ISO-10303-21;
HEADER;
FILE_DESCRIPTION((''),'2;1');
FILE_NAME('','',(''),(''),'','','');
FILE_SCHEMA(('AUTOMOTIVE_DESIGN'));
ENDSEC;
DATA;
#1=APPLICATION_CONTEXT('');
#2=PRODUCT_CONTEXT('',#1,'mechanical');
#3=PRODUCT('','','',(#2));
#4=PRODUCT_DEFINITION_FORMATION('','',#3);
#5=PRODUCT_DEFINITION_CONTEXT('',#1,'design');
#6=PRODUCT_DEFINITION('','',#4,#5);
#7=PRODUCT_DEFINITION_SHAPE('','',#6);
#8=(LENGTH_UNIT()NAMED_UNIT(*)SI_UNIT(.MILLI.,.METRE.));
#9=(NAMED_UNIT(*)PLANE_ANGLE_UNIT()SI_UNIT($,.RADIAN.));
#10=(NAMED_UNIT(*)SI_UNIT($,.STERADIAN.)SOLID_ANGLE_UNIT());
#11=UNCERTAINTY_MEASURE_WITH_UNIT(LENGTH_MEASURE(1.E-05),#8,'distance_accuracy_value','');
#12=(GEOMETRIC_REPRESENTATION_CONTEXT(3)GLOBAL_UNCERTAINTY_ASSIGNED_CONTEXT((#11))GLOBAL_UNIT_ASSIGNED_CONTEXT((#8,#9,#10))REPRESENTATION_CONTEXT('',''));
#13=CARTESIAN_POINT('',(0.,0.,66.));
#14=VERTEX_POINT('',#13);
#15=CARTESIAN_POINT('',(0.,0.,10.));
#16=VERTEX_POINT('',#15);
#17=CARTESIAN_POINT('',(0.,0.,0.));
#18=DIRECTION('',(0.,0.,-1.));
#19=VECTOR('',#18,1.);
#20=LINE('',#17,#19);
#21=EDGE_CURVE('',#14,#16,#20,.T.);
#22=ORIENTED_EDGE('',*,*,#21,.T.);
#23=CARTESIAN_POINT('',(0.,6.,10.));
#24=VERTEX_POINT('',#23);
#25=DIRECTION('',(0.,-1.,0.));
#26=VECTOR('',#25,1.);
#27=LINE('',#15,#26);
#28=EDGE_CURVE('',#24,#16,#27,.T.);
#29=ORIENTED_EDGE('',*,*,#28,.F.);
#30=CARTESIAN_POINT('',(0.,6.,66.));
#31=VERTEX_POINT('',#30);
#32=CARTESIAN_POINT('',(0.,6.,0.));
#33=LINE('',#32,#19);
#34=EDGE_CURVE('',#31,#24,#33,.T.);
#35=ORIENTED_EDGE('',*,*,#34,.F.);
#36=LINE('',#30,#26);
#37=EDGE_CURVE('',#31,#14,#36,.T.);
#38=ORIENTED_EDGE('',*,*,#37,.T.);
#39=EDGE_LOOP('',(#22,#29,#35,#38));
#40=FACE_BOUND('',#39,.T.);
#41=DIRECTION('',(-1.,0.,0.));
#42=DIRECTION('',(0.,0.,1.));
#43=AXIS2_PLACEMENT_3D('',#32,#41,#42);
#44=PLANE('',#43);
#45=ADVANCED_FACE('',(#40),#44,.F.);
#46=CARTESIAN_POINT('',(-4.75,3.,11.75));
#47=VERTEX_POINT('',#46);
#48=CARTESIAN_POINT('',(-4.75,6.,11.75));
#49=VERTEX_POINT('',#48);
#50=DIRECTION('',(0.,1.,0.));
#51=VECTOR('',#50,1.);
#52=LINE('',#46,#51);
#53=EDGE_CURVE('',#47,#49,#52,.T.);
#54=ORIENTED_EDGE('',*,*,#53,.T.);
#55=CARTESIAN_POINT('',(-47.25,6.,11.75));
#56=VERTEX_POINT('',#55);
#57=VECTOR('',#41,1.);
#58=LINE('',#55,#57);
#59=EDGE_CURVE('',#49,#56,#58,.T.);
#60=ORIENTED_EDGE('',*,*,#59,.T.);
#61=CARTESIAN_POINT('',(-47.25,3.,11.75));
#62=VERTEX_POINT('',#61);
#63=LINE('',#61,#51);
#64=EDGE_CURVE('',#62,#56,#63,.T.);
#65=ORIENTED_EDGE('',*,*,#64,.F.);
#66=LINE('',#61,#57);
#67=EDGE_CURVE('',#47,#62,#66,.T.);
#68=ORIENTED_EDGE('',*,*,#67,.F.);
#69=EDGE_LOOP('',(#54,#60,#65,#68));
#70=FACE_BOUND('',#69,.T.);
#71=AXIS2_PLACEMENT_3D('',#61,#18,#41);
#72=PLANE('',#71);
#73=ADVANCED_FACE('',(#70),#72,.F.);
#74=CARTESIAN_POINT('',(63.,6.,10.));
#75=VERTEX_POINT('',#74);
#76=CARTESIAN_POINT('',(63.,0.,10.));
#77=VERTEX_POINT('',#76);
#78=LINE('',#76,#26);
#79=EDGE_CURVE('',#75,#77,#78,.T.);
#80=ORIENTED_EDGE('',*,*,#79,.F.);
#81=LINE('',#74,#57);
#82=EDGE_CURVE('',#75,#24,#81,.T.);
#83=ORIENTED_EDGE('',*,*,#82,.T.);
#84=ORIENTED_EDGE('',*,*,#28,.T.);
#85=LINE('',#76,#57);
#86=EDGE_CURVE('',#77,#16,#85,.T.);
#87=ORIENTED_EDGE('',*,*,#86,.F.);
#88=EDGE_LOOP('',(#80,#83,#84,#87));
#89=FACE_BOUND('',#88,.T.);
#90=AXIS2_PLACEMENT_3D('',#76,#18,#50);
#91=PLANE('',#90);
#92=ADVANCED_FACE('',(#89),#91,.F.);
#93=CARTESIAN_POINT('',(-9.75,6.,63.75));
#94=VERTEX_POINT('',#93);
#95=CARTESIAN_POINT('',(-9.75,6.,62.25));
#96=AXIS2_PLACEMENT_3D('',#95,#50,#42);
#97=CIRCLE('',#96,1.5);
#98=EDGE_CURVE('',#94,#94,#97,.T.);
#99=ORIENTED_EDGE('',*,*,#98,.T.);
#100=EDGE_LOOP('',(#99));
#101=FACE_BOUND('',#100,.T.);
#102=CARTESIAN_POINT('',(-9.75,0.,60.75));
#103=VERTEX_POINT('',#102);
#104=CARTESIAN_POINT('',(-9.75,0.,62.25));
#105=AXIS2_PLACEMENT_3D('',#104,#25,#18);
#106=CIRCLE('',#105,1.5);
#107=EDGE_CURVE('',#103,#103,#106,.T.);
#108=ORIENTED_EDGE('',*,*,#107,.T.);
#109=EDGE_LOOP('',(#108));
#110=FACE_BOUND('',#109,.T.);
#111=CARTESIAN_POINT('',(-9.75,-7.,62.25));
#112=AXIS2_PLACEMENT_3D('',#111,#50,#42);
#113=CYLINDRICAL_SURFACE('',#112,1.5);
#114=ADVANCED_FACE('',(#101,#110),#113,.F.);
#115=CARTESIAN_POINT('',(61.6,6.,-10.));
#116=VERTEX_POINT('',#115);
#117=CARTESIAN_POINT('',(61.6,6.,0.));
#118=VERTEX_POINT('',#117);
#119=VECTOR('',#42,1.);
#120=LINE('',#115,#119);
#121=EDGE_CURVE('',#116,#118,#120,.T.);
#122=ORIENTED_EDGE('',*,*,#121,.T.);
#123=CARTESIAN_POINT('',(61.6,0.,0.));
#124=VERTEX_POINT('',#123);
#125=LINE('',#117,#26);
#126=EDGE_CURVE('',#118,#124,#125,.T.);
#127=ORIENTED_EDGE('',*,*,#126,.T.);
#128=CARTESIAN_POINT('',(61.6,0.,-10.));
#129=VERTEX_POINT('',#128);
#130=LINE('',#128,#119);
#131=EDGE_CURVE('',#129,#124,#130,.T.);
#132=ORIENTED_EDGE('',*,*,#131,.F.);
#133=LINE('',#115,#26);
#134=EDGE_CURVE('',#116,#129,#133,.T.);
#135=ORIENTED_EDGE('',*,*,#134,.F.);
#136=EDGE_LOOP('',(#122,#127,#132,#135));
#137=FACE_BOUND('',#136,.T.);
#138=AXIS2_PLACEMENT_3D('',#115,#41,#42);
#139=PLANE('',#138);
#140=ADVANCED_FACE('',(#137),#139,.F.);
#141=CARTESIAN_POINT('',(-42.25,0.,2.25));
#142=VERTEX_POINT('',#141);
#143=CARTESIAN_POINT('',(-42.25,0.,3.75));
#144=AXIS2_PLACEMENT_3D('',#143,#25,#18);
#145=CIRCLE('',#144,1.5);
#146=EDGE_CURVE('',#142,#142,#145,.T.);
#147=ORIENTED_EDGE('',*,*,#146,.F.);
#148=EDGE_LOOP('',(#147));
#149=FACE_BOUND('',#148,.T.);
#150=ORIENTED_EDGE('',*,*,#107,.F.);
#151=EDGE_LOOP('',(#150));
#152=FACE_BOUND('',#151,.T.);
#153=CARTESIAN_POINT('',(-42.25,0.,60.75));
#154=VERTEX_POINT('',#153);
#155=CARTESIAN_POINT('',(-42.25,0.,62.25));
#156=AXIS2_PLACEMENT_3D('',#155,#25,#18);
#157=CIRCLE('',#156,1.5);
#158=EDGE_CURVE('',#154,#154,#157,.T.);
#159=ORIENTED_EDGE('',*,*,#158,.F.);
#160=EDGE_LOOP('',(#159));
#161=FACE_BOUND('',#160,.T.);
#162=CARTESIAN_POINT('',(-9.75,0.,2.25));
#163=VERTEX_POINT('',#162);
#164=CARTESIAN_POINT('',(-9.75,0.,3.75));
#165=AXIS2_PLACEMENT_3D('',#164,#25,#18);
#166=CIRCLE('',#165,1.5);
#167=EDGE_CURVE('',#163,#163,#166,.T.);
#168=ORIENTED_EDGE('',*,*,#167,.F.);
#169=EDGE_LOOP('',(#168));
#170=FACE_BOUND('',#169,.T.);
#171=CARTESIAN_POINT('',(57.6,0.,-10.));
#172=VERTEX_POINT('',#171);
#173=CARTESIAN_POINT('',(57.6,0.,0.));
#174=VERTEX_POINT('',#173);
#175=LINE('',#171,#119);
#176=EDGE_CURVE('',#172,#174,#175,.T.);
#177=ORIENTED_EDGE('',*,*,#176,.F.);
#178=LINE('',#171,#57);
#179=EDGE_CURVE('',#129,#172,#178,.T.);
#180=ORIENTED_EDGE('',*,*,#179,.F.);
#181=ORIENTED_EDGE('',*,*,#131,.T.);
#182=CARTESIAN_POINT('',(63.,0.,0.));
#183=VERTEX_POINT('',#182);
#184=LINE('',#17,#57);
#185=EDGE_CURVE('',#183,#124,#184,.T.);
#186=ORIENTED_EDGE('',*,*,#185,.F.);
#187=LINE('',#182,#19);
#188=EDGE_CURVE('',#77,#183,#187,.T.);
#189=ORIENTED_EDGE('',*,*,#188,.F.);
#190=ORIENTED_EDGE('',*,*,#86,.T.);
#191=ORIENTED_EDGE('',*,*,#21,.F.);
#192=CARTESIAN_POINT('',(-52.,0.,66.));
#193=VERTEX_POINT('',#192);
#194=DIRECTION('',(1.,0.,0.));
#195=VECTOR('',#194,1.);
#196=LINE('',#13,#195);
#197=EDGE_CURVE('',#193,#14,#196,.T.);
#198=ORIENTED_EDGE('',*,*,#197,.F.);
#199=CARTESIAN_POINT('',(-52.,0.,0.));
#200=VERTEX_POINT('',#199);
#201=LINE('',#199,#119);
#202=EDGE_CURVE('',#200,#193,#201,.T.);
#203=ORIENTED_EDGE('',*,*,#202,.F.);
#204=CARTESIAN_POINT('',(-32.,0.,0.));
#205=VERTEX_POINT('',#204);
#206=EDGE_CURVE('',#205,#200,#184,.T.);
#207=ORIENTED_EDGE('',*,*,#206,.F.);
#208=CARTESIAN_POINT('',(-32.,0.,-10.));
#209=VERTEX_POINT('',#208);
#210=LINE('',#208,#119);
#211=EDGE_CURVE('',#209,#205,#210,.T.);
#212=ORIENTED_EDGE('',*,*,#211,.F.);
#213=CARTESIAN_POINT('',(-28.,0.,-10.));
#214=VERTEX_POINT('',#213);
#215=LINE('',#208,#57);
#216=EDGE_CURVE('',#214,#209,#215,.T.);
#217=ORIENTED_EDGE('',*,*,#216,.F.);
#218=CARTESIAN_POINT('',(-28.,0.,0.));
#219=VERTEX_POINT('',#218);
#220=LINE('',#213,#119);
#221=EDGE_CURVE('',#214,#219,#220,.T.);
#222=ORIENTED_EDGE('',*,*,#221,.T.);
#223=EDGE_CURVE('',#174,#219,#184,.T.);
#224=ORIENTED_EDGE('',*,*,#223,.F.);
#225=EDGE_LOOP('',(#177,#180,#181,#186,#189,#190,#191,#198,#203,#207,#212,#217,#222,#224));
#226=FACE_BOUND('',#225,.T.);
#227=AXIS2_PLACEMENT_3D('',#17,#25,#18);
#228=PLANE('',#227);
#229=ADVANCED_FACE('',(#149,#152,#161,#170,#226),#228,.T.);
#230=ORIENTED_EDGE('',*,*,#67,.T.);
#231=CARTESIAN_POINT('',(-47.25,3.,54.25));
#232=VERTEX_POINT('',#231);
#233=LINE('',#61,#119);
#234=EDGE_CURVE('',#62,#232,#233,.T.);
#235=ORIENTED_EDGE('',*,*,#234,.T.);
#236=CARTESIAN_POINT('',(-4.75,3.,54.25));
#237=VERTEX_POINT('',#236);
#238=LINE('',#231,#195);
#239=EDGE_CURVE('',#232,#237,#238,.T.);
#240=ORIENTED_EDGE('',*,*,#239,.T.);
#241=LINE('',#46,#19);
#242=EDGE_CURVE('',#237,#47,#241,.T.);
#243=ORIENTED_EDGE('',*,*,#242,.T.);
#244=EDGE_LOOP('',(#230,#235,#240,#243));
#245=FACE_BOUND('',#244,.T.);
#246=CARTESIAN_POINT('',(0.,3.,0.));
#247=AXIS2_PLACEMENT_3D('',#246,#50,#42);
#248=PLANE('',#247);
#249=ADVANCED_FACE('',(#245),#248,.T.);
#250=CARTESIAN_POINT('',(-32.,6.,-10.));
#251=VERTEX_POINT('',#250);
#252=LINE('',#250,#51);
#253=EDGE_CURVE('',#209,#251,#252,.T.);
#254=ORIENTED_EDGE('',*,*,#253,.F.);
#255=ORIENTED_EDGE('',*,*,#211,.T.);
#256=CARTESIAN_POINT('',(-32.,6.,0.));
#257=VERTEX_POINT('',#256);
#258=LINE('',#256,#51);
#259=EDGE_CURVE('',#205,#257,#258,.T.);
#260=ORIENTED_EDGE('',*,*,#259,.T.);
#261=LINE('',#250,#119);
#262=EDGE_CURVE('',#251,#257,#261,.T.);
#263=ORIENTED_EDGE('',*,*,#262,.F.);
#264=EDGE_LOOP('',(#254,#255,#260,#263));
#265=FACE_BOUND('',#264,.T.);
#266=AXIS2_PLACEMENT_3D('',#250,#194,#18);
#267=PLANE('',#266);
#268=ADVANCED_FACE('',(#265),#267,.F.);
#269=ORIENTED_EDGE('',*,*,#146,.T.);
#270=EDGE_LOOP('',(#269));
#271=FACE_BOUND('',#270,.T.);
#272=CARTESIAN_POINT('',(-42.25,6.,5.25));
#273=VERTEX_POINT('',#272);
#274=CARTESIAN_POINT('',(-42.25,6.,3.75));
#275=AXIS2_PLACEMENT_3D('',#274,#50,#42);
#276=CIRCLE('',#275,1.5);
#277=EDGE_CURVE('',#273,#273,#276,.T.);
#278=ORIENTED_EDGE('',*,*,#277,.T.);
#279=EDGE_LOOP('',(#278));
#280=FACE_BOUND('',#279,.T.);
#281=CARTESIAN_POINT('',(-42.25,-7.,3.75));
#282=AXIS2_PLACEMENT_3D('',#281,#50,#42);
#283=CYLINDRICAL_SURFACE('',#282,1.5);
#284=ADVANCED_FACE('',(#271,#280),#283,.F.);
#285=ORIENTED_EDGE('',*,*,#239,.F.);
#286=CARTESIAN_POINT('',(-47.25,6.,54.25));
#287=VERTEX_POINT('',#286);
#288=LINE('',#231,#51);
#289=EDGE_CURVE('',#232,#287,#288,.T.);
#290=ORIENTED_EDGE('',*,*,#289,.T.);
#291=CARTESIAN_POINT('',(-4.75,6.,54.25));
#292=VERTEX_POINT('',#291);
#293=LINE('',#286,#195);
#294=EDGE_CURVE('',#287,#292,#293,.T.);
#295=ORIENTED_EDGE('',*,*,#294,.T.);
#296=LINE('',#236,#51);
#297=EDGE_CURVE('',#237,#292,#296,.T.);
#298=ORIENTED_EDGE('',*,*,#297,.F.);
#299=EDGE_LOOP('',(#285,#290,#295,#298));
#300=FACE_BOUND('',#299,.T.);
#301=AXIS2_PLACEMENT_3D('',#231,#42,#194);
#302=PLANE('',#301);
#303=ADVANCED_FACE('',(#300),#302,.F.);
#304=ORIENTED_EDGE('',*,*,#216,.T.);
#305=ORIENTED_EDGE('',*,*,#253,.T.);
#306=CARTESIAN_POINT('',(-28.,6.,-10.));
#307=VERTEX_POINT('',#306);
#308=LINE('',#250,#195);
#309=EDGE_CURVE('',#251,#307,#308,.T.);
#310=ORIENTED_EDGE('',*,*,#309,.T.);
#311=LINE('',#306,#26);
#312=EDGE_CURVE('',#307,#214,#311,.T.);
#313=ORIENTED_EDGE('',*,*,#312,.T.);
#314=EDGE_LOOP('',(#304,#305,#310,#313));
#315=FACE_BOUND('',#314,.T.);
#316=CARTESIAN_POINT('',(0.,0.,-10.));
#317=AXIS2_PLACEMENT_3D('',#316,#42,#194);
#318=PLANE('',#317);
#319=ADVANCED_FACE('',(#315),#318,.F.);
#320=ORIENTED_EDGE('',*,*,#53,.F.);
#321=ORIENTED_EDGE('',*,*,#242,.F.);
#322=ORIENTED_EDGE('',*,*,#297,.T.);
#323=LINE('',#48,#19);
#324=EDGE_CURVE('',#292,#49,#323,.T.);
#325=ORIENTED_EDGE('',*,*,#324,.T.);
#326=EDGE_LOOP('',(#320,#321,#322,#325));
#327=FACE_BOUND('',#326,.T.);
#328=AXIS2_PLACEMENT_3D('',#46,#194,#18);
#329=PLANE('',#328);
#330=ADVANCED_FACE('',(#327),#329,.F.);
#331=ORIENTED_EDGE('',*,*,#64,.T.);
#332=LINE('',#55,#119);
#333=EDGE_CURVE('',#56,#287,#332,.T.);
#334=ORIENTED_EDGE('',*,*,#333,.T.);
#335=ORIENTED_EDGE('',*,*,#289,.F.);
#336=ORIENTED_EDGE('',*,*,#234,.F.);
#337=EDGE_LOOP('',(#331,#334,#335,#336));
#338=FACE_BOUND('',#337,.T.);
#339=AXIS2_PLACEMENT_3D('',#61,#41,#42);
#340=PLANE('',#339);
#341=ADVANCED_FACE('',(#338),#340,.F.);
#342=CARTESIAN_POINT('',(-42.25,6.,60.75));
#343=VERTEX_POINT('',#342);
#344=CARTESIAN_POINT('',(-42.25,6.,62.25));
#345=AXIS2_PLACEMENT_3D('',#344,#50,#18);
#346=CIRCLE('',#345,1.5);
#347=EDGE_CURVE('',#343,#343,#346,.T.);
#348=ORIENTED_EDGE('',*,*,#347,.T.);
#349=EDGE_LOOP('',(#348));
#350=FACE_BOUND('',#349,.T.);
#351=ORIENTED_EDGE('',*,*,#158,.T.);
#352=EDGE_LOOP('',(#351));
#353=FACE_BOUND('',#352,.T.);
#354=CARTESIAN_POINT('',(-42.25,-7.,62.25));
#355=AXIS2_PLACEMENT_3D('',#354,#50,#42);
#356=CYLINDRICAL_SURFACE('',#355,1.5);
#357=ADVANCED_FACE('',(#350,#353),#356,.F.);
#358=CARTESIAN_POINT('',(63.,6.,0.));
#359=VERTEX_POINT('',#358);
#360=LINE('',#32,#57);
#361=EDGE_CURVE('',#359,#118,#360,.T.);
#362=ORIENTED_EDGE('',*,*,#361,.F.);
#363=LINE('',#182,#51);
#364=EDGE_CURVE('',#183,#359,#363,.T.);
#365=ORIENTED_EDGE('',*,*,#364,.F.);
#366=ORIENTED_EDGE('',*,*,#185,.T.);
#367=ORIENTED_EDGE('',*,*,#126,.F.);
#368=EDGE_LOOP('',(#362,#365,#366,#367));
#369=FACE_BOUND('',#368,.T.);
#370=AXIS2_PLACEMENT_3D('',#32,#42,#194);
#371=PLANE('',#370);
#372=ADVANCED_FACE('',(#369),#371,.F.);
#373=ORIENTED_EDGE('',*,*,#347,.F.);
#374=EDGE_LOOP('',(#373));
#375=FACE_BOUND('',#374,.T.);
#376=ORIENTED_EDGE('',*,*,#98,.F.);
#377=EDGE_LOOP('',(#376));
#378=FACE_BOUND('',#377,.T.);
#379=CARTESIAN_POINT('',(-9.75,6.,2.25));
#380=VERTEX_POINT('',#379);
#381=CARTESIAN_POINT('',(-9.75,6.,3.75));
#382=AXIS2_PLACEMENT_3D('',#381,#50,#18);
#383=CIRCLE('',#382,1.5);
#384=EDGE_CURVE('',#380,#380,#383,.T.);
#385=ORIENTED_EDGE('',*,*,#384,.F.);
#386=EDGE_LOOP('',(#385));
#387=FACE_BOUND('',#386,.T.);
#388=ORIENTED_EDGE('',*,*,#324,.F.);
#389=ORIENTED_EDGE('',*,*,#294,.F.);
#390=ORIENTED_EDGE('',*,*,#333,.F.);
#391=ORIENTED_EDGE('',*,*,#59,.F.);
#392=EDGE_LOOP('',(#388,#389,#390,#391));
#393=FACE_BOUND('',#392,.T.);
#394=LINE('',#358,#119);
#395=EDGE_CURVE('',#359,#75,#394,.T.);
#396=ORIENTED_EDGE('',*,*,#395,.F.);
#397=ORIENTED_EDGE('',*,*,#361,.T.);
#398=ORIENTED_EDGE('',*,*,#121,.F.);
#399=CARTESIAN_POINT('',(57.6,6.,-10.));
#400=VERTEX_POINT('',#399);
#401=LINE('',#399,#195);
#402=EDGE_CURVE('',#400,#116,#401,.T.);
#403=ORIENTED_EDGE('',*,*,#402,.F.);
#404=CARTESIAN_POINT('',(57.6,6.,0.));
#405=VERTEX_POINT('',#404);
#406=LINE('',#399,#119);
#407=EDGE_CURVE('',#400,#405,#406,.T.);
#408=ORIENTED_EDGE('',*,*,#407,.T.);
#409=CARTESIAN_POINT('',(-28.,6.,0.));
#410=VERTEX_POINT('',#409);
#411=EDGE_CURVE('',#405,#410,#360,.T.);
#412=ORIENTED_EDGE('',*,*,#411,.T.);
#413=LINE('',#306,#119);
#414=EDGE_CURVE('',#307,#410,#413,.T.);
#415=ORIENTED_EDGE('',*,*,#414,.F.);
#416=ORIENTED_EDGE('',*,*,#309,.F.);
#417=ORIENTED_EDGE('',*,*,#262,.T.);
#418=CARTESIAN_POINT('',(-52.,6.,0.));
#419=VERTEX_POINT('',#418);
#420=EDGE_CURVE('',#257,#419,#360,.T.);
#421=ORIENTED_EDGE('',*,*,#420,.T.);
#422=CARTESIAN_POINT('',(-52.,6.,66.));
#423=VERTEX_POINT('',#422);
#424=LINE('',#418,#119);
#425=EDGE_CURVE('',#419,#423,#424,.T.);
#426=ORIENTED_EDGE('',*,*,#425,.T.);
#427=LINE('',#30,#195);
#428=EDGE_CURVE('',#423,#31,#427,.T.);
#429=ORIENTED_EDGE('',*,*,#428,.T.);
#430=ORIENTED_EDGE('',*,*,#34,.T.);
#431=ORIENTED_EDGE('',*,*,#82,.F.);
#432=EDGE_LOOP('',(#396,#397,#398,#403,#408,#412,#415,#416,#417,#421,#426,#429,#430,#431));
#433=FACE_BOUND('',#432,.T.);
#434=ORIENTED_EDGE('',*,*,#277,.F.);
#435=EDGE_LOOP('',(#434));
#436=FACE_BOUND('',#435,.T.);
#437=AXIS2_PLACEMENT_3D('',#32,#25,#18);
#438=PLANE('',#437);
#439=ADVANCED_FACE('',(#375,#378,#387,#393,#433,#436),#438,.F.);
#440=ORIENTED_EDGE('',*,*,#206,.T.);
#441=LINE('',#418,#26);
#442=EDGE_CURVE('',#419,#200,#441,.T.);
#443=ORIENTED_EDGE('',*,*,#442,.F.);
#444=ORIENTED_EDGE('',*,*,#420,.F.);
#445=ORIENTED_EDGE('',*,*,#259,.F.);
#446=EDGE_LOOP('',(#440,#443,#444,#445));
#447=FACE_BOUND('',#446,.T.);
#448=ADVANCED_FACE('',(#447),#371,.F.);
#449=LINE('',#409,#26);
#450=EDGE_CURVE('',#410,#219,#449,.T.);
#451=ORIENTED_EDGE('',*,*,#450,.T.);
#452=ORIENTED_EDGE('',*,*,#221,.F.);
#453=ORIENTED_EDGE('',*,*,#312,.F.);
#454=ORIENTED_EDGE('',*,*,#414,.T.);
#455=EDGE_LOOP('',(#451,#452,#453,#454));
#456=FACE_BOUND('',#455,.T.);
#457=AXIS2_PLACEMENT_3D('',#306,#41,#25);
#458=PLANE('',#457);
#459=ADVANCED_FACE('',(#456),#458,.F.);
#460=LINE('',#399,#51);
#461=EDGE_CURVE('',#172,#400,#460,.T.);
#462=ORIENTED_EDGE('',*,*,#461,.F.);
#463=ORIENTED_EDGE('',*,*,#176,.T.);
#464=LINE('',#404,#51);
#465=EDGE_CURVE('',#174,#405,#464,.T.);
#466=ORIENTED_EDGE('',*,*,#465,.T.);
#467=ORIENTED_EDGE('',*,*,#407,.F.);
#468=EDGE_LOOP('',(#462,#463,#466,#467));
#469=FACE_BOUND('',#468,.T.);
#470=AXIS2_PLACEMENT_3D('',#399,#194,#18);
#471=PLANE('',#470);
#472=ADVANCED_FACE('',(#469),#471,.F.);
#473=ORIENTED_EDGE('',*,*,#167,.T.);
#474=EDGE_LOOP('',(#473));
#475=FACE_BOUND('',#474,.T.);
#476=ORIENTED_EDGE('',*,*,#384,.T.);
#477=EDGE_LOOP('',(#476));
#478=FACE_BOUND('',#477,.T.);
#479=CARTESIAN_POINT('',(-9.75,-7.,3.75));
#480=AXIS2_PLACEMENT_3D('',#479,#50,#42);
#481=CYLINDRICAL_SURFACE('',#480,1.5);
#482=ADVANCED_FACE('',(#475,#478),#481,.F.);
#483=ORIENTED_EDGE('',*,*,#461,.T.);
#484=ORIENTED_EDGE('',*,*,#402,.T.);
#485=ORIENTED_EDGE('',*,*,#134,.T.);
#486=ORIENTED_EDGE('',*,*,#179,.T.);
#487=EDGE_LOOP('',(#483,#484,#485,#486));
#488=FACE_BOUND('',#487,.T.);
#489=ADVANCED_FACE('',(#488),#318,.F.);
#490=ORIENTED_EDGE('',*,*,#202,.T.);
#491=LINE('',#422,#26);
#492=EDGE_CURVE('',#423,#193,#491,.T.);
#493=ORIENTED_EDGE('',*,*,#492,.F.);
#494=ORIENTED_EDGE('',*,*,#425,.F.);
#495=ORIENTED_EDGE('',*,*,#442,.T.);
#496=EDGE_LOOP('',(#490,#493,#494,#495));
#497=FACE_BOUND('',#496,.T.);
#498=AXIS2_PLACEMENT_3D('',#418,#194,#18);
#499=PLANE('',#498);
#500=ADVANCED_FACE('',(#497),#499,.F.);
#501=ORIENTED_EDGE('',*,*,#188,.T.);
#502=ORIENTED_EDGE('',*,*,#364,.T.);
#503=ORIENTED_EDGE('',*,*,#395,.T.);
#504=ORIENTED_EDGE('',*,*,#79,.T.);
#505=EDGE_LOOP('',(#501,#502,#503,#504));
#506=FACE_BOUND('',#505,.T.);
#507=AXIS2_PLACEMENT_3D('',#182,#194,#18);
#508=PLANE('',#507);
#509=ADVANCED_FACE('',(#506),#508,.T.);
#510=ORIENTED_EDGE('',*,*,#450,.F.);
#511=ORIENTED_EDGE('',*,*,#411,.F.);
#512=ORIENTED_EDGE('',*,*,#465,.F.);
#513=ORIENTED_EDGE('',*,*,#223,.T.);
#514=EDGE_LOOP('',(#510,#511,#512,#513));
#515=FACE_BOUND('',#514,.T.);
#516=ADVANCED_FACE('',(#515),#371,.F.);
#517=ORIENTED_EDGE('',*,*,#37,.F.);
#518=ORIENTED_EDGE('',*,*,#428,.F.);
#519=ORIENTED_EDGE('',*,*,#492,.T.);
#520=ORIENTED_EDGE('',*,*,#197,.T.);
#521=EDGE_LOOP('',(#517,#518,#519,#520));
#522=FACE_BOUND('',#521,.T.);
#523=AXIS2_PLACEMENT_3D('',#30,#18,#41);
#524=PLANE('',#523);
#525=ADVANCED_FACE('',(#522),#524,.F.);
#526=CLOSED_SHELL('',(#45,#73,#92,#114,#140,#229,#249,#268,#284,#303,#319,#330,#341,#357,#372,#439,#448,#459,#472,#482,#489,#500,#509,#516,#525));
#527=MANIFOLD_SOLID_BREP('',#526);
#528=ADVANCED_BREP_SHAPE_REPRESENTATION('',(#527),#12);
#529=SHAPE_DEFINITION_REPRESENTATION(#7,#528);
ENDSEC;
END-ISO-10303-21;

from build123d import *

# Parameters (mm, degrees)
SKETCH1_W           = 52
SKETCH1_H           = 66
BOSS_EXTRUDE1_DEPTH = 6
SKETCH2_W           = 42.5
SKETCH2_H           = 42.5
CUT_EXTRUDE1_DEPTH  = 3
SKETCH3_R           = 1.5
CUT_EXTRUDE2_DEPTH  = 13
SKETCH4_W           = 10
SKETCH4_H           = 6
BOSS_EXTRUDE2_DEPTH = 63
SKETCH5_W           = 4
SKETCH5_H           = 6
BOSS_EXTRUDE3_DEPTH = 10


with BuildPart() as part:
    # Sketch1 → Boss-Extrude1 (new body)
    with BuildSketch(Plane(origin=(0, 0, 0), x_dir=(1, 0, 0), z_dir=(0, 1, 0))):
        with Locations((-26, -33)):
            Rectangle(SKETCH1_W, SKETCH1_H)
    extrude(amount=BOSS_EXTRUDE1_DEPTH)

    # Sketch2 → Cut-Extrude1 (cut)
    with BuildSketch(Plane(origin=(0, 6, 0), x_dir=(1, 0, 0), z_dir=(0, 1, 0))):
        with Locations((-26, -33)):
            Rectangle(SKETCH2_W, SKETCH2_H)
    extrude(amount=-CUT_EXTRUDE1_DEPTH, mode=Mode.SUBTRACT)

    # Sketch3 → Cut-Extrude2 (cut)
    with BuildSketch(Plane(origin=(0, 6, 0), x_dir=(1, 0, 0), z_dir=(0, 1, 0))):
        with Locations(Location((-42.25, -3.75, 0), (0, 0, 270))):
            Circle(SKETCH3_R)
        with Locations(Location((-9.75, -3.75, 0), (0, 0, 90))):
            Circle(SKETCH3_R)
        with Locations(Location((-9.75, -62.25, 0), (0, 0, 270))):
            Circle(SKETCH3_R)
        with Locations(Location((-42.25, -62.25, 0), (0, 0, 90))):
            Circle(SKETCH3_R)
    extrude(amount=-CUT_EXTRUDE2_DEPTH, mode=Mode.SUBTRACT)

    # Sketch4 → Boss-Extrude2 (add)
    with BuildSketch(Plane(origin=(0, 0, 0), x_dir=(0, 0, -1), z_dir=(1, 0, 0))):
        with Locations((-5, 3)):
            Rectangle(SKETCH4_W, SKETCH4_H)
    extrude(amount=BOSS_EXTRUDE2_DEPTH)

    # Sketch5 → Boss-Extrude3 (add)
    with BuildSketch(Plane(origin=(0, 0, 0), x_dir=(-1, 0, 0), z_dir=(0, 0, -1))):
        with Locations((30, 3)):
            Rectangle(SKETCH5_W, SKETCH5_H)
        with Locations((-59.6, 3)):
            Rectangle(SKETCH5_W, SKETCH5_H)
    extrude(amount=BOSS_EXTRUDE3_DEPTH)


solid = part.part
